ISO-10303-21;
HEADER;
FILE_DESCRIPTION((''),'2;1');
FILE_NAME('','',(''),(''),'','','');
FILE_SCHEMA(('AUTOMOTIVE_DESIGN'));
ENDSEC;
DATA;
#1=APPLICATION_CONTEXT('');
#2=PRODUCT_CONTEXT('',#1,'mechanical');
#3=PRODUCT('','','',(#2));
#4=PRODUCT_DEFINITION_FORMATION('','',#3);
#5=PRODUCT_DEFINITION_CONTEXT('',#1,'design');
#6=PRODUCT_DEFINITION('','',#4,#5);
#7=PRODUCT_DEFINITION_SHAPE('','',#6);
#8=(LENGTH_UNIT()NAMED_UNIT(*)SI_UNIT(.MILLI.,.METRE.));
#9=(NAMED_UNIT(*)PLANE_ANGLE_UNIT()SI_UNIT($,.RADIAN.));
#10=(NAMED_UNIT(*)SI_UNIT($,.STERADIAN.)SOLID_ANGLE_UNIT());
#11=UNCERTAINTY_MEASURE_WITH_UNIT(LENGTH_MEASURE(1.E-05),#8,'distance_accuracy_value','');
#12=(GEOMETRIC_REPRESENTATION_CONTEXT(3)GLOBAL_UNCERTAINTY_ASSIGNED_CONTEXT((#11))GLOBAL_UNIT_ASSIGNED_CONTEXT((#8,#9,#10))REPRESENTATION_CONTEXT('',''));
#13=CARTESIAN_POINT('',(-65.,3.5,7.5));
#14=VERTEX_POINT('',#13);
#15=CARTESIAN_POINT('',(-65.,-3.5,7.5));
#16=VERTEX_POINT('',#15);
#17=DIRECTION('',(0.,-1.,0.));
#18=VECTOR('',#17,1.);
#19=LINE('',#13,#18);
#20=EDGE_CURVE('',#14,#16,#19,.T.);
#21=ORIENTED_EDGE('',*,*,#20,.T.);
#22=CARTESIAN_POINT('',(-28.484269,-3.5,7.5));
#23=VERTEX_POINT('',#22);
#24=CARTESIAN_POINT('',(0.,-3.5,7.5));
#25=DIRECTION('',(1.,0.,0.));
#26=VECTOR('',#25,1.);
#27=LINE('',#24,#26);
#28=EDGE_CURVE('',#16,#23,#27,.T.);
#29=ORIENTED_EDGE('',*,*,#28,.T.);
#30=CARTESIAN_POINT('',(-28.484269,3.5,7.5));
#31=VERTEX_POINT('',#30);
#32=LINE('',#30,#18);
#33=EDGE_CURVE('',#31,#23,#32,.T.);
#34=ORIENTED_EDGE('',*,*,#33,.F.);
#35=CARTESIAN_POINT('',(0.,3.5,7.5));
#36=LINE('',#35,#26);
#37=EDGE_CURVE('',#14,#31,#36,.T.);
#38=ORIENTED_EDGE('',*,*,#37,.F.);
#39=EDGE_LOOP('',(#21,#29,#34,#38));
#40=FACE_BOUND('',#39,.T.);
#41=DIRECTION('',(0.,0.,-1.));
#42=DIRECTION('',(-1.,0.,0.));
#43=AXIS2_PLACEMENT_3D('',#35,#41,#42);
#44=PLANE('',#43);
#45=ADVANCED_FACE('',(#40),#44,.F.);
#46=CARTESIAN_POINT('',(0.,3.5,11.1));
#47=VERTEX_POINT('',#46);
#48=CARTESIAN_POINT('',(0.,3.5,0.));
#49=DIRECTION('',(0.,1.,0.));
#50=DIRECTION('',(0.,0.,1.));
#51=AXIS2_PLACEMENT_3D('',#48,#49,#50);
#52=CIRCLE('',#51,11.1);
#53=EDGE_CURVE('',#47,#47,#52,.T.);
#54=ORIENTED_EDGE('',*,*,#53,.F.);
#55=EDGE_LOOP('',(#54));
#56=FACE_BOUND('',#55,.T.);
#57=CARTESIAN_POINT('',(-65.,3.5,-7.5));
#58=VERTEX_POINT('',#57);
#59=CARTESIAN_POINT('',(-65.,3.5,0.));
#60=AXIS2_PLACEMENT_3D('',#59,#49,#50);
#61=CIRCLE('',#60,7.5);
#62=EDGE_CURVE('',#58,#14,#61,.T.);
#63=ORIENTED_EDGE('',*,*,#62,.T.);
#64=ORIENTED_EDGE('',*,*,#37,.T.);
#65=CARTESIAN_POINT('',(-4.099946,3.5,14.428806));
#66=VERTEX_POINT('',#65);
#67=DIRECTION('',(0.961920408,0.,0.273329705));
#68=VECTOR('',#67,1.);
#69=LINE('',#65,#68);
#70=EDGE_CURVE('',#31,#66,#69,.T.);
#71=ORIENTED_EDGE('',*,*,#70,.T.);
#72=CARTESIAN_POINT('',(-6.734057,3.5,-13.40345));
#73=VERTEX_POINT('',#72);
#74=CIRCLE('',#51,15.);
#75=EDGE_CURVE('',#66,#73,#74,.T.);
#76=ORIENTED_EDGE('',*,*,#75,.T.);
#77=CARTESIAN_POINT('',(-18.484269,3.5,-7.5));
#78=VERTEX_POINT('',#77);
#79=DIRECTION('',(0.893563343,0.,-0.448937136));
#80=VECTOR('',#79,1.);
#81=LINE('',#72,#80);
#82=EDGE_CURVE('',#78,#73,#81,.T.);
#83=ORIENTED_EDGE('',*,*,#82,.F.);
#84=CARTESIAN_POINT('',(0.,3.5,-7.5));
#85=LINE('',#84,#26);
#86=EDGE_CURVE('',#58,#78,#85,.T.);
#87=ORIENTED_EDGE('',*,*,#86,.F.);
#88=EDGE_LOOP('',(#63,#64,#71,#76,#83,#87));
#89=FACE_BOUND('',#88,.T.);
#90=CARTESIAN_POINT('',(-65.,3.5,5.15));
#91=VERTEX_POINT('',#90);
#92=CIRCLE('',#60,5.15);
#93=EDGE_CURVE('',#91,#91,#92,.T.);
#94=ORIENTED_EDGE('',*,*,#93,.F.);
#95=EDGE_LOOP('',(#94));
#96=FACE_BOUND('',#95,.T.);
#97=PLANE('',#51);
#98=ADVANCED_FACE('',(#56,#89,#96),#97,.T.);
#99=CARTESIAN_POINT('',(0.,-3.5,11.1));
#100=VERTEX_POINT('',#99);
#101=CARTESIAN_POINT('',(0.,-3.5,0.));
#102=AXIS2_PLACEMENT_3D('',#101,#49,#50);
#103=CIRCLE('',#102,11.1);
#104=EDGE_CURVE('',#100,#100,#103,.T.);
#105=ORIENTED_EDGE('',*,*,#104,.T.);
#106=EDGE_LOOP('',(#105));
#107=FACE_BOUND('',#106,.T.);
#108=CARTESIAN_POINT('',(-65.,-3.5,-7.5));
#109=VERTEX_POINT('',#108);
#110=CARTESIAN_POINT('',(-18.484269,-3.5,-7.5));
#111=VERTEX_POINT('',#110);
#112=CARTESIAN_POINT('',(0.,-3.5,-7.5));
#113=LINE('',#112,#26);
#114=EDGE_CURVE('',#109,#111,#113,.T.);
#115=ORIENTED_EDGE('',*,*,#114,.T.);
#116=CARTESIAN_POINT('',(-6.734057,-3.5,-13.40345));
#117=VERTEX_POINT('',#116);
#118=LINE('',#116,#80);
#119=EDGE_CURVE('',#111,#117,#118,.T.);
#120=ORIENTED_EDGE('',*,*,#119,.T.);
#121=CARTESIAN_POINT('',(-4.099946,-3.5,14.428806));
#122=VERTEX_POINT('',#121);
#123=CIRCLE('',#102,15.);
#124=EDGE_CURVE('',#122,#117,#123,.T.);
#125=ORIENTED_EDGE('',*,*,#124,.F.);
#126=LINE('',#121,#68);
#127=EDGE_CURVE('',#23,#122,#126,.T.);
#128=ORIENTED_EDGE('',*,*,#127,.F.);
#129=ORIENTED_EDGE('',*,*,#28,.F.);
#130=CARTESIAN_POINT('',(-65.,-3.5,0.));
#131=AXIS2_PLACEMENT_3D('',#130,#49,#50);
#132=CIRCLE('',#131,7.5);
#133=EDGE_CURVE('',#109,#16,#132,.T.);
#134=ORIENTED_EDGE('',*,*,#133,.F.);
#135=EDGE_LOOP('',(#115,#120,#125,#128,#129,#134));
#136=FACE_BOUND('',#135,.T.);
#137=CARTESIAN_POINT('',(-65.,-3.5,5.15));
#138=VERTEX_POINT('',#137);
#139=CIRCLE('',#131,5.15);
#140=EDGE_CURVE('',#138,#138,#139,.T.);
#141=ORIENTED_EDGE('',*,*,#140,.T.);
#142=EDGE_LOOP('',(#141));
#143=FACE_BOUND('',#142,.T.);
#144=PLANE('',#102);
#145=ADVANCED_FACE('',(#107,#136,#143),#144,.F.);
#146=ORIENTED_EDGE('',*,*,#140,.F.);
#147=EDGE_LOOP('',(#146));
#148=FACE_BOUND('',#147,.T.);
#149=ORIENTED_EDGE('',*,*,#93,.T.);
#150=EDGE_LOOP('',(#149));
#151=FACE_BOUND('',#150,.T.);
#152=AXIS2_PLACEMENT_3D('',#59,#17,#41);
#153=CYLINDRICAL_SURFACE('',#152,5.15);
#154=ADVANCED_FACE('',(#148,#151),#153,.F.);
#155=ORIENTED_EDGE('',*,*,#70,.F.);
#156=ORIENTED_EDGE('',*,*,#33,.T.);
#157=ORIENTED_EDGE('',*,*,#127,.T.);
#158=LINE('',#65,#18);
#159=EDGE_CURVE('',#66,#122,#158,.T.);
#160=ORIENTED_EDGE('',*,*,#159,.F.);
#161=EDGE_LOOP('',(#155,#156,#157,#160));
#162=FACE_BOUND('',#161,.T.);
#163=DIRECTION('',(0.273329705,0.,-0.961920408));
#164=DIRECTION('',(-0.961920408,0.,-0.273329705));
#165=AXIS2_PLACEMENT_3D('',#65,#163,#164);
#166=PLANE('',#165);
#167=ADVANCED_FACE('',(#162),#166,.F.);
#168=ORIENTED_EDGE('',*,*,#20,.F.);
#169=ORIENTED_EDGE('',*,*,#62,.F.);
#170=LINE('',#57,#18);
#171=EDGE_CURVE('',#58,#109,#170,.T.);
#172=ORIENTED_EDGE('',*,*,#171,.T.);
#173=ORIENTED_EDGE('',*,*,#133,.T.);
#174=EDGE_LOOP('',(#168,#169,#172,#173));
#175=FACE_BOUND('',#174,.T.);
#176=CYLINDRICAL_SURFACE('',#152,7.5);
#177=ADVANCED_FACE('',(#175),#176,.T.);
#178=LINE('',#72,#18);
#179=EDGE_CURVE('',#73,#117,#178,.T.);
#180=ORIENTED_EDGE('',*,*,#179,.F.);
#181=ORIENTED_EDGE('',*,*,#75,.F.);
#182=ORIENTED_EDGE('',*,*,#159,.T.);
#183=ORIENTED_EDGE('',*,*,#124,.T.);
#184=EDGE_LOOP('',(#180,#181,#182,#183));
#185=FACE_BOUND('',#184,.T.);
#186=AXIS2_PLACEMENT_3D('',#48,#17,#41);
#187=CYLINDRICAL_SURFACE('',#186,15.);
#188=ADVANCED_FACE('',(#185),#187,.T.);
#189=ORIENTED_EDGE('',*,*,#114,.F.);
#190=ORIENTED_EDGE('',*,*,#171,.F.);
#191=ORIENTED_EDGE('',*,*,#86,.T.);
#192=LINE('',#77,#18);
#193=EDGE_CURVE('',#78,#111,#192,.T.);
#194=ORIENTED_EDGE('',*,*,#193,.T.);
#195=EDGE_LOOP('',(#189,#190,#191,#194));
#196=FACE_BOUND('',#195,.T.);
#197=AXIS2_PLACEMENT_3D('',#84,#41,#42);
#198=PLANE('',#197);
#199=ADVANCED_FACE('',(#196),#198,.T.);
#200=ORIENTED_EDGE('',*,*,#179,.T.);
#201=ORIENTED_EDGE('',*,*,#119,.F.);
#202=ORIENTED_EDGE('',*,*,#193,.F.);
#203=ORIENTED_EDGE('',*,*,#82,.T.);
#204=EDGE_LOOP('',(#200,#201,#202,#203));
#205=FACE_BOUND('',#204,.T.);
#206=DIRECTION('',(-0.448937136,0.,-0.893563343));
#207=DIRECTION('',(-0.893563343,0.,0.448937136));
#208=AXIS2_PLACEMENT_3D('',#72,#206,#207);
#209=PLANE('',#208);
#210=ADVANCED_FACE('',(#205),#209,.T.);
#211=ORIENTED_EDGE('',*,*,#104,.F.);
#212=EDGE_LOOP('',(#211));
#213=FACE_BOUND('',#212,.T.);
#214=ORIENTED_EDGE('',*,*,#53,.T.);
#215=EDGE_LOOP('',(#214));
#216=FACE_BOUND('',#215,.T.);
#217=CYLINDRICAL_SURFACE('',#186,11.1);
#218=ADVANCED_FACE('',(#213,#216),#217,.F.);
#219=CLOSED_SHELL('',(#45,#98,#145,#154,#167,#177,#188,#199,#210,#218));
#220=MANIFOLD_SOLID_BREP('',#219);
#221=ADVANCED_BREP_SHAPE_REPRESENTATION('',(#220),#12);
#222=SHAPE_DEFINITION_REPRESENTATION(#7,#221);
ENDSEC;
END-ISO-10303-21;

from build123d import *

# Parameters (mm, degrees)
SKETCH2_R           = 5.15
SKETCH2_R_2         = 11.1
BOSS_EXTRUDE2_DEPTH = 3.5


with BuildPart() as part:
    # Sketch2 → Boss-Extrude2 (new, symmetric)
    with BuildSketch(Plane(origin=(0, 0, 0), x_dir=(1, 0, 0), z_dir=(0, 1, 0))):
        with BuildLine():
            Line((-18.484269322, 7.5), (-65, 7.5))
            ThreePointArc((-65, 7.5), (-72.5, 0), (-65, -7.5))
            Line((-65, -7.5), (-28.484269322, -7.5))
            Line((-28.484269322, -7.5), (-4.099945578, -14.428806127))
            ThreePointArc((-4.099945578, -14.428806127), (14.933269082, 1.413320387), (-6.734057037, 13.403450146))
            Line((-6.734057037, 13.403450146), (-18.484269322, 7.5))
        make_face()
        with Locations(Location((-65, 0, 0), (0, 0, 270))):
            Circle(SKETCH2_R, mode=Mode.SUBTRACT)
        with Locations(Location((0, 0, 0), (0, 0, 270))):
            Circle(SKETCH2_R_2, mode=Mode.SUBTRACT)
    extrude(amount=BOSS_EXTRUDE2_DEPTH, both=True)


solid = part.part
